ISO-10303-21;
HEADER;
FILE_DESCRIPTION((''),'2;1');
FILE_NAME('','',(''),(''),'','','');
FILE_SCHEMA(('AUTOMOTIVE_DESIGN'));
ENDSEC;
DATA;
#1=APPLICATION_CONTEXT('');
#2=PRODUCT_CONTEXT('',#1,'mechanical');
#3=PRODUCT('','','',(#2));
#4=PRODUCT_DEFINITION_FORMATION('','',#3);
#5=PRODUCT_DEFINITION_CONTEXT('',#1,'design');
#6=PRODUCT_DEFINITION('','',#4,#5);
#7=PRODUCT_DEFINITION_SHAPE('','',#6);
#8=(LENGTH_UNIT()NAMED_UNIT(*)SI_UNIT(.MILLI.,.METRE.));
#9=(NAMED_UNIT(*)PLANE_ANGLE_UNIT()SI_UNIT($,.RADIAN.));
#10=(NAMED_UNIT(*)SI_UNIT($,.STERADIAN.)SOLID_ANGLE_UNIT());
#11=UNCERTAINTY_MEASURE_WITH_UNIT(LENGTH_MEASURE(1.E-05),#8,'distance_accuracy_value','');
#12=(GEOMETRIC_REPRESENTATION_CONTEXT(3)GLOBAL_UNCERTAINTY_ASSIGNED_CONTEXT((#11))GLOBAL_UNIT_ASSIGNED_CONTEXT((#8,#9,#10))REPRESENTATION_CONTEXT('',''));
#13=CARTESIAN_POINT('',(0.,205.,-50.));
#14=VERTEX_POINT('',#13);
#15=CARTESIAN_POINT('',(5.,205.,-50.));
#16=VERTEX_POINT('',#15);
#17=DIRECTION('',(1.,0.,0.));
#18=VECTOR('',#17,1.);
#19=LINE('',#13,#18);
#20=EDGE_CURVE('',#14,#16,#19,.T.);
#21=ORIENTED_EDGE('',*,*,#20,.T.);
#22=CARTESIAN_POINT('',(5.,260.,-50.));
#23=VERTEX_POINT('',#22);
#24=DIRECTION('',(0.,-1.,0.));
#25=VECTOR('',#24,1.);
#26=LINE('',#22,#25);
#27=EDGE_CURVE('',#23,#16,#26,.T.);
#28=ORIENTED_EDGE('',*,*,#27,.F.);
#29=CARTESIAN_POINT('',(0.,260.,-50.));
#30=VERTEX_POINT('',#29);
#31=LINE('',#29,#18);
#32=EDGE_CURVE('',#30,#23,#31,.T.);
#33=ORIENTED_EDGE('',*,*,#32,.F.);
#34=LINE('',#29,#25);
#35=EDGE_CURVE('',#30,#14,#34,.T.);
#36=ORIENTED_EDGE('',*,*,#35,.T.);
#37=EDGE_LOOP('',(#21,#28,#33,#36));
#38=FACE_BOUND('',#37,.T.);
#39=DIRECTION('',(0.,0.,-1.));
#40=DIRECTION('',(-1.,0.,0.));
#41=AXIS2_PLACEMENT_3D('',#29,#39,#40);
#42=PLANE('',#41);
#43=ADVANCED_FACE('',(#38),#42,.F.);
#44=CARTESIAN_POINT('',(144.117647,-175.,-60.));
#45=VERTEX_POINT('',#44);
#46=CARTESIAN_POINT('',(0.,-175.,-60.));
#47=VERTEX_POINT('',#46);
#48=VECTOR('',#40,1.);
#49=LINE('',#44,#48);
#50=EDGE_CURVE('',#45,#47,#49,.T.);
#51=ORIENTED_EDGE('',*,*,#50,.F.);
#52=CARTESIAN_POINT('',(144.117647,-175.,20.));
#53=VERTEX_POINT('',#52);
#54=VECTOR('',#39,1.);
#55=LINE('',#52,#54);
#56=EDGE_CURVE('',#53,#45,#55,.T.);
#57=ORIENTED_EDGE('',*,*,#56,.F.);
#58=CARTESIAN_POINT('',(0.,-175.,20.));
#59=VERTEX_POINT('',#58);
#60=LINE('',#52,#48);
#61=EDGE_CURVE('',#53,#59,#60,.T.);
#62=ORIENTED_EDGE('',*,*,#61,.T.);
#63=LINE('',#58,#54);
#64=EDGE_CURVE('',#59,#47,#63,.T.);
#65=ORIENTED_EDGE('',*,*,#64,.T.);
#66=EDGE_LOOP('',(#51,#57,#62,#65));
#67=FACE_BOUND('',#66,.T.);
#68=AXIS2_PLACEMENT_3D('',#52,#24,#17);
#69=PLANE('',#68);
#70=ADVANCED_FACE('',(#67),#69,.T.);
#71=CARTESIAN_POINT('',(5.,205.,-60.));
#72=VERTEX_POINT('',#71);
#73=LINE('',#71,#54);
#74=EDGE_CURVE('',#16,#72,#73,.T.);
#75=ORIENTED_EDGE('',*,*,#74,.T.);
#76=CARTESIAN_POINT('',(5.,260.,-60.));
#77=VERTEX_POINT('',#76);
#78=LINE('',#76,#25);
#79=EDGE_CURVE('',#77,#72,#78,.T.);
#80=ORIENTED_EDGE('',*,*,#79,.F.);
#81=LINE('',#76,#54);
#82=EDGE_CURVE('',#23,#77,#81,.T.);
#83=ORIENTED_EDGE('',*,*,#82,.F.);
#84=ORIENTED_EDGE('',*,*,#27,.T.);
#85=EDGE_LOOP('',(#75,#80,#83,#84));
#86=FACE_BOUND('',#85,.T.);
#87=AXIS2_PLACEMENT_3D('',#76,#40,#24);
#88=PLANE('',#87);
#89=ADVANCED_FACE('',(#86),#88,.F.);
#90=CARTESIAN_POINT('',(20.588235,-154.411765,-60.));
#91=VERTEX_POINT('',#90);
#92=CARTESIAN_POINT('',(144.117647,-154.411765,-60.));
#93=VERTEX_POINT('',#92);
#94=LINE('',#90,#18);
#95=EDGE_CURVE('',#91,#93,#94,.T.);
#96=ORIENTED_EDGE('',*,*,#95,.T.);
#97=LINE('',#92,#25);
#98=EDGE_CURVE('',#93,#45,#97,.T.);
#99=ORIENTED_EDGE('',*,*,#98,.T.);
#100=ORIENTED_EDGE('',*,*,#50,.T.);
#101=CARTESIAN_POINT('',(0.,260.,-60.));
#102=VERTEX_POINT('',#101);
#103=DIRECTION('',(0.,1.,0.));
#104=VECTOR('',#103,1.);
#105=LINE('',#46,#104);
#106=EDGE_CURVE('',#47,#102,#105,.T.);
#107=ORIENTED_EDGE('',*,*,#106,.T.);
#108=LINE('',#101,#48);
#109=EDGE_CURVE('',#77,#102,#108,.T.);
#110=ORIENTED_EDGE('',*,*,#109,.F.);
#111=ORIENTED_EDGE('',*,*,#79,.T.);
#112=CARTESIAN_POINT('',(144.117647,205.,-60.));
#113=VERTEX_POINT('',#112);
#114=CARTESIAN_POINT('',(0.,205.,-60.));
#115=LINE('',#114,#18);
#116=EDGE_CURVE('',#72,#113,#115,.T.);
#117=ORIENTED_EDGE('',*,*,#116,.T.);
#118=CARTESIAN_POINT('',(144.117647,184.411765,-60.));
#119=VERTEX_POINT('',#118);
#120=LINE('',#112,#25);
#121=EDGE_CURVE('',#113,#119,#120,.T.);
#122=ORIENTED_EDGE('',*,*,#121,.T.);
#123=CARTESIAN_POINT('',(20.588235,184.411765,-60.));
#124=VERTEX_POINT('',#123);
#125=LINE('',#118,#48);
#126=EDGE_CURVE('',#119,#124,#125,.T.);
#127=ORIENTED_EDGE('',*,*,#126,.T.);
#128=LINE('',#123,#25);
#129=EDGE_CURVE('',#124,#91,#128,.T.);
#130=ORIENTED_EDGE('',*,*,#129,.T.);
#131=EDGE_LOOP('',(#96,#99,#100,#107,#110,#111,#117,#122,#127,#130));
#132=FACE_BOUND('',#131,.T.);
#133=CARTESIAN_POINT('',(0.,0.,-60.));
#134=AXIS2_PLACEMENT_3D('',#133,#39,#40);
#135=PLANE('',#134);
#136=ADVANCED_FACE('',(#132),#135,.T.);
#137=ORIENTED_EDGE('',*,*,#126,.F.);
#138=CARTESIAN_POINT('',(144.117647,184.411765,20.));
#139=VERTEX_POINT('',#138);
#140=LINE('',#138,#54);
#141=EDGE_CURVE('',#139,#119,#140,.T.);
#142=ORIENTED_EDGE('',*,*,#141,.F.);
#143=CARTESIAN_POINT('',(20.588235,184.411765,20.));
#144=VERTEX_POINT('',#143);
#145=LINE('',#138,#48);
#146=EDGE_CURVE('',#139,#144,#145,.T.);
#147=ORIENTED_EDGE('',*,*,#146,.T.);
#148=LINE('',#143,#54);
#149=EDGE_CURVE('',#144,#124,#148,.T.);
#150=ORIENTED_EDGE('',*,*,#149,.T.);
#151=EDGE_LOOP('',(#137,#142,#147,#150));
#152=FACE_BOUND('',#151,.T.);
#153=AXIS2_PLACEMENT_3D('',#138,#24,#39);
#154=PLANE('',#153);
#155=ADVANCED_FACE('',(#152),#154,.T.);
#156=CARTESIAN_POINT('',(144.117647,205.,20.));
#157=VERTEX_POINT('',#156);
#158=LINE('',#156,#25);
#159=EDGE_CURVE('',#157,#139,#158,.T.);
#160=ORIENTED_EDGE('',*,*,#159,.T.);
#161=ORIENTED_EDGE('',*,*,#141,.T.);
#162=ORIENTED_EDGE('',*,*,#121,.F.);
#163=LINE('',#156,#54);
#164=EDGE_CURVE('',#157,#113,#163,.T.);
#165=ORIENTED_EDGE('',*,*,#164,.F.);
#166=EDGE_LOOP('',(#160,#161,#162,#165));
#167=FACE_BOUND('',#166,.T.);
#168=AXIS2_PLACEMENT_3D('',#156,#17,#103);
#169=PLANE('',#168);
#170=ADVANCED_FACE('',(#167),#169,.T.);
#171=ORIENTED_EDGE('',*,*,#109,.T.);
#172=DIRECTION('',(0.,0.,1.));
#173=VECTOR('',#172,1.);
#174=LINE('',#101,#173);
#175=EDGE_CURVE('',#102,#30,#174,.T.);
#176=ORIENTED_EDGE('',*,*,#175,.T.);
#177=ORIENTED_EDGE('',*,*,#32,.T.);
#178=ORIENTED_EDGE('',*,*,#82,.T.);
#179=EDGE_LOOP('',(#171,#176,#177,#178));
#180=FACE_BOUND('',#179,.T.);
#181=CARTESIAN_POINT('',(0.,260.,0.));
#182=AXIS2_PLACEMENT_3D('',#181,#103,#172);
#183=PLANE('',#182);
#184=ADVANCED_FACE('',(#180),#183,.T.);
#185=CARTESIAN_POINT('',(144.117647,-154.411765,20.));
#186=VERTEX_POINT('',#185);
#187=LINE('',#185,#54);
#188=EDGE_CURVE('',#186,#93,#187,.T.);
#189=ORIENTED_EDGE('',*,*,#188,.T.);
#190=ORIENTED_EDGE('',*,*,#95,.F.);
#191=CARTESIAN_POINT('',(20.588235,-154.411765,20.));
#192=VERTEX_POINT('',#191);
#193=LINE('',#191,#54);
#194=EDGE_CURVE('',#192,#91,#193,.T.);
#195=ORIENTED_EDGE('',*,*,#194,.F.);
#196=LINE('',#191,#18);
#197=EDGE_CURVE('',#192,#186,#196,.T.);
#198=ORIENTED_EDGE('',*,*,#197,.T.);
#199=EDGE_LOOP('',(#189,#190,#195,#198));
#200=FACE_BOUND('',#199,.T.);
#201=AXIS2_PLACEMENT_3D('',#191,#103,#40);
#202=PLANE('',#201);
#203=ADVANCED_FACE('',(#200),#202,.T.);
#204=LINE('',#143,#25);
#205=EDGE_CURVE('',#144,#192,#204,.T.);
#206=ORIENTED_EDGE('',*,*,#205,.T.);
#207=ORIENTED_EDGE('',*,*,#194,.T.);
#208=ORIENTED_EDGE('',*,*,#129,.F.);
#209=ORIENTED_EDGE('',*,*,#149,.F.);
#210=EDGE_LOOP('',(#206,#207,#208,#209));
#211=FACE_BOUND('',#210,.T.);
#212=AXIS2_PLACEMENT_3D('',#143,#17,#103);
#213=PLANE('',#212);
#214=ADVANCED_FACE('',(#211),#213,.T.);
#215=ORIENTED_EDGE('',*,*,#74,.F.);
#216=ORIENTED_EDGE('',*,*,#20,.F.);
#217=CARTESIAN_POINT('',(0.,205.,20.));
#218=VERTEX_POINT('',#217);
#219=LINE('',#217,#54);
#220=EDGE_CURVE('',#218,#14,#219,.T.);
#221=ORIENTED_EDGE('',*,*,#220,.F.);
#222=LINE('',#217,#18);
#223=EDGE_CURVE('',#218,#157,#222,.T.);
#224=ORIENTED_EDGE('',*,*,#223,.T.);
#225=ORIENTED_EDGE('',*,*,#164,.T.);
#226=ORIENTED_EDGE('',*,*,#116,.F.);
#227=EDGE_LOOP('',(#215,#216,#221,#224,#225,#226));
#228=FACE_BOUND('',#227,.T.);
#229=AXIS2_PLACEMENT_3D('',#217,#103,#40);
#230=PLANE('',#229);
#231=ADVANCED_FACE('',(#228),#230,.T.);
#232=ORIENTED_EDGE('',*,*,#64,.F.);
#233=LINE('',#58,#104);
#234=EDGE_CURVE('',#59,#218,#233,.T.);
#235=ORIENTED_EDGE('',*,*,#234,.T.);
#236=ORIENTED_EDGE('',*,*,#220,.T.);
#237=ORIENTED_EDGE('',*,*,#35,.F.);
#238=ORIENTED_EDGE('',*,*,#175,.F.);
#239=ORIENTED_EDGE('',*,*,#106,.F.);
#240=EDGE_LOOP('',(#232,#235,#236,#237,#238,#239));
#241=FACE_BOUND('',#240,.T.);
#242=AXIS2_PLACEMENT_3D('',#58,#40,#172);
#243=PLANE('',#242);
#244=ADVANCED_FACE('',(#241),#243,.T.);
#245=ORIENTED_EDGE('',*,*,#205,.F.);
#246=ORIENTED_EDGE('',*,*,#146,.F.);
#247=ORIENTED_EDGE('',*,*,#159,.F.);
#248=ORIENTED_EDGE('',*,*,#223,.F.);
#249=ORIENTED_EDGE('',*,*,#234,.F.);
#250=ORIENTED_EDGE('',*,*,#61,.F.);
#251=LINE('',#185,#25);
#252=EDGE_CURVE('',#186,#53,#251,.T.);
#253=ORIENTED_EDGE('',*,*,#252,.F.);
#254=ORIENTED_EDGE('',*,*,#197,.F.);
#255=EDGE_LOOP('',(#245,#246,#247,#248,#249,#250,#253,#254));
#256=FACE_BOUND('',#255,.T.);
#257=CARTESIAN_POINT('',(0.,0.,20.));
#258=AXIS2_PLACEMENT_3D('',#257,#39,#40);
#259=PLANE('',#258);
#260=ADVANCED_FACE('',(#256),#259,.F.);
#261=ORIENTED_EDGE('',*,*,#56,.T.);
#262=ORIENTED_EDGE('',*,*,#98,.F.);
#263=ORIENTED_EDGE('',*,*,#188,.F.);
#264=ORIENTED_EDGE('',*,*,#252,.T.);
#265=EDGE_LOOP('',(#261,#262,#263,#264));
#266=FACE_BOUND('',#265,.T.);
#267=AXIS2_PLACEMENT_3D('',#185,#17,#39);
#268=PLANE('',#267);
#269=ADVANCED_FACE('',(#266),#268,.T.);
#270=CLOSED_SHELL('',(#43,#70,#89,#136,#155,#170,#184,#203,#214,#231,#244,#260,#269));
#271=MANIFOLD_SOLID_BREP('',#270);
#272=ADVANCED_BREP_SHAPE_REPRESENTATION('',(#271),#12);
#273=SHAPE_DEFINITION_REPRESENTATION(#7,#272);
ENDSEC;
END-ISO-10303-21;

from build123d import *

# Parameters (mm, degrees)
BOSS_EXTRUDE1_DEPTH = 80
SKETCH2_W           = 5
SKETCH2_H           = 10
BOSS_EXTRUDE2_DEPTH = 55


with BuildPart() as part:
    # Sketch1 → Boss-Extrude1 (new body)
    with BuildSketch(Plane(origin=(0, 0, -60), x_dir=(-1, 0, 0), z_dir=(0, 0, -1))):
        Polygon((-144.117647059, -154.411764706), (-144.117647059, -175), (0, -175), (0, 205), (-144.117647059, 205), (-144.117647059, 184.411764706), (-20.588235294, 184.411764706), (-20.588235294, -154.411764706), align=None)
    extrude(amount=-BOSS_EXTRUDE1_DEPTH)

    # Sketch2 → Boss-Extrude2 (add)
    with BuildSketch(Plane(origin=(0, 205, 0), x_dir=(-1, 0, 0), z_dir=(0, 1, 0))):
        with Locations((-2.5, -55)):
            Rectangle(SKETCH2_W, SKETCH2_H)
    extrude(amount=BOSS_EXTRUDE2_DEPTH)


solid = part.part
